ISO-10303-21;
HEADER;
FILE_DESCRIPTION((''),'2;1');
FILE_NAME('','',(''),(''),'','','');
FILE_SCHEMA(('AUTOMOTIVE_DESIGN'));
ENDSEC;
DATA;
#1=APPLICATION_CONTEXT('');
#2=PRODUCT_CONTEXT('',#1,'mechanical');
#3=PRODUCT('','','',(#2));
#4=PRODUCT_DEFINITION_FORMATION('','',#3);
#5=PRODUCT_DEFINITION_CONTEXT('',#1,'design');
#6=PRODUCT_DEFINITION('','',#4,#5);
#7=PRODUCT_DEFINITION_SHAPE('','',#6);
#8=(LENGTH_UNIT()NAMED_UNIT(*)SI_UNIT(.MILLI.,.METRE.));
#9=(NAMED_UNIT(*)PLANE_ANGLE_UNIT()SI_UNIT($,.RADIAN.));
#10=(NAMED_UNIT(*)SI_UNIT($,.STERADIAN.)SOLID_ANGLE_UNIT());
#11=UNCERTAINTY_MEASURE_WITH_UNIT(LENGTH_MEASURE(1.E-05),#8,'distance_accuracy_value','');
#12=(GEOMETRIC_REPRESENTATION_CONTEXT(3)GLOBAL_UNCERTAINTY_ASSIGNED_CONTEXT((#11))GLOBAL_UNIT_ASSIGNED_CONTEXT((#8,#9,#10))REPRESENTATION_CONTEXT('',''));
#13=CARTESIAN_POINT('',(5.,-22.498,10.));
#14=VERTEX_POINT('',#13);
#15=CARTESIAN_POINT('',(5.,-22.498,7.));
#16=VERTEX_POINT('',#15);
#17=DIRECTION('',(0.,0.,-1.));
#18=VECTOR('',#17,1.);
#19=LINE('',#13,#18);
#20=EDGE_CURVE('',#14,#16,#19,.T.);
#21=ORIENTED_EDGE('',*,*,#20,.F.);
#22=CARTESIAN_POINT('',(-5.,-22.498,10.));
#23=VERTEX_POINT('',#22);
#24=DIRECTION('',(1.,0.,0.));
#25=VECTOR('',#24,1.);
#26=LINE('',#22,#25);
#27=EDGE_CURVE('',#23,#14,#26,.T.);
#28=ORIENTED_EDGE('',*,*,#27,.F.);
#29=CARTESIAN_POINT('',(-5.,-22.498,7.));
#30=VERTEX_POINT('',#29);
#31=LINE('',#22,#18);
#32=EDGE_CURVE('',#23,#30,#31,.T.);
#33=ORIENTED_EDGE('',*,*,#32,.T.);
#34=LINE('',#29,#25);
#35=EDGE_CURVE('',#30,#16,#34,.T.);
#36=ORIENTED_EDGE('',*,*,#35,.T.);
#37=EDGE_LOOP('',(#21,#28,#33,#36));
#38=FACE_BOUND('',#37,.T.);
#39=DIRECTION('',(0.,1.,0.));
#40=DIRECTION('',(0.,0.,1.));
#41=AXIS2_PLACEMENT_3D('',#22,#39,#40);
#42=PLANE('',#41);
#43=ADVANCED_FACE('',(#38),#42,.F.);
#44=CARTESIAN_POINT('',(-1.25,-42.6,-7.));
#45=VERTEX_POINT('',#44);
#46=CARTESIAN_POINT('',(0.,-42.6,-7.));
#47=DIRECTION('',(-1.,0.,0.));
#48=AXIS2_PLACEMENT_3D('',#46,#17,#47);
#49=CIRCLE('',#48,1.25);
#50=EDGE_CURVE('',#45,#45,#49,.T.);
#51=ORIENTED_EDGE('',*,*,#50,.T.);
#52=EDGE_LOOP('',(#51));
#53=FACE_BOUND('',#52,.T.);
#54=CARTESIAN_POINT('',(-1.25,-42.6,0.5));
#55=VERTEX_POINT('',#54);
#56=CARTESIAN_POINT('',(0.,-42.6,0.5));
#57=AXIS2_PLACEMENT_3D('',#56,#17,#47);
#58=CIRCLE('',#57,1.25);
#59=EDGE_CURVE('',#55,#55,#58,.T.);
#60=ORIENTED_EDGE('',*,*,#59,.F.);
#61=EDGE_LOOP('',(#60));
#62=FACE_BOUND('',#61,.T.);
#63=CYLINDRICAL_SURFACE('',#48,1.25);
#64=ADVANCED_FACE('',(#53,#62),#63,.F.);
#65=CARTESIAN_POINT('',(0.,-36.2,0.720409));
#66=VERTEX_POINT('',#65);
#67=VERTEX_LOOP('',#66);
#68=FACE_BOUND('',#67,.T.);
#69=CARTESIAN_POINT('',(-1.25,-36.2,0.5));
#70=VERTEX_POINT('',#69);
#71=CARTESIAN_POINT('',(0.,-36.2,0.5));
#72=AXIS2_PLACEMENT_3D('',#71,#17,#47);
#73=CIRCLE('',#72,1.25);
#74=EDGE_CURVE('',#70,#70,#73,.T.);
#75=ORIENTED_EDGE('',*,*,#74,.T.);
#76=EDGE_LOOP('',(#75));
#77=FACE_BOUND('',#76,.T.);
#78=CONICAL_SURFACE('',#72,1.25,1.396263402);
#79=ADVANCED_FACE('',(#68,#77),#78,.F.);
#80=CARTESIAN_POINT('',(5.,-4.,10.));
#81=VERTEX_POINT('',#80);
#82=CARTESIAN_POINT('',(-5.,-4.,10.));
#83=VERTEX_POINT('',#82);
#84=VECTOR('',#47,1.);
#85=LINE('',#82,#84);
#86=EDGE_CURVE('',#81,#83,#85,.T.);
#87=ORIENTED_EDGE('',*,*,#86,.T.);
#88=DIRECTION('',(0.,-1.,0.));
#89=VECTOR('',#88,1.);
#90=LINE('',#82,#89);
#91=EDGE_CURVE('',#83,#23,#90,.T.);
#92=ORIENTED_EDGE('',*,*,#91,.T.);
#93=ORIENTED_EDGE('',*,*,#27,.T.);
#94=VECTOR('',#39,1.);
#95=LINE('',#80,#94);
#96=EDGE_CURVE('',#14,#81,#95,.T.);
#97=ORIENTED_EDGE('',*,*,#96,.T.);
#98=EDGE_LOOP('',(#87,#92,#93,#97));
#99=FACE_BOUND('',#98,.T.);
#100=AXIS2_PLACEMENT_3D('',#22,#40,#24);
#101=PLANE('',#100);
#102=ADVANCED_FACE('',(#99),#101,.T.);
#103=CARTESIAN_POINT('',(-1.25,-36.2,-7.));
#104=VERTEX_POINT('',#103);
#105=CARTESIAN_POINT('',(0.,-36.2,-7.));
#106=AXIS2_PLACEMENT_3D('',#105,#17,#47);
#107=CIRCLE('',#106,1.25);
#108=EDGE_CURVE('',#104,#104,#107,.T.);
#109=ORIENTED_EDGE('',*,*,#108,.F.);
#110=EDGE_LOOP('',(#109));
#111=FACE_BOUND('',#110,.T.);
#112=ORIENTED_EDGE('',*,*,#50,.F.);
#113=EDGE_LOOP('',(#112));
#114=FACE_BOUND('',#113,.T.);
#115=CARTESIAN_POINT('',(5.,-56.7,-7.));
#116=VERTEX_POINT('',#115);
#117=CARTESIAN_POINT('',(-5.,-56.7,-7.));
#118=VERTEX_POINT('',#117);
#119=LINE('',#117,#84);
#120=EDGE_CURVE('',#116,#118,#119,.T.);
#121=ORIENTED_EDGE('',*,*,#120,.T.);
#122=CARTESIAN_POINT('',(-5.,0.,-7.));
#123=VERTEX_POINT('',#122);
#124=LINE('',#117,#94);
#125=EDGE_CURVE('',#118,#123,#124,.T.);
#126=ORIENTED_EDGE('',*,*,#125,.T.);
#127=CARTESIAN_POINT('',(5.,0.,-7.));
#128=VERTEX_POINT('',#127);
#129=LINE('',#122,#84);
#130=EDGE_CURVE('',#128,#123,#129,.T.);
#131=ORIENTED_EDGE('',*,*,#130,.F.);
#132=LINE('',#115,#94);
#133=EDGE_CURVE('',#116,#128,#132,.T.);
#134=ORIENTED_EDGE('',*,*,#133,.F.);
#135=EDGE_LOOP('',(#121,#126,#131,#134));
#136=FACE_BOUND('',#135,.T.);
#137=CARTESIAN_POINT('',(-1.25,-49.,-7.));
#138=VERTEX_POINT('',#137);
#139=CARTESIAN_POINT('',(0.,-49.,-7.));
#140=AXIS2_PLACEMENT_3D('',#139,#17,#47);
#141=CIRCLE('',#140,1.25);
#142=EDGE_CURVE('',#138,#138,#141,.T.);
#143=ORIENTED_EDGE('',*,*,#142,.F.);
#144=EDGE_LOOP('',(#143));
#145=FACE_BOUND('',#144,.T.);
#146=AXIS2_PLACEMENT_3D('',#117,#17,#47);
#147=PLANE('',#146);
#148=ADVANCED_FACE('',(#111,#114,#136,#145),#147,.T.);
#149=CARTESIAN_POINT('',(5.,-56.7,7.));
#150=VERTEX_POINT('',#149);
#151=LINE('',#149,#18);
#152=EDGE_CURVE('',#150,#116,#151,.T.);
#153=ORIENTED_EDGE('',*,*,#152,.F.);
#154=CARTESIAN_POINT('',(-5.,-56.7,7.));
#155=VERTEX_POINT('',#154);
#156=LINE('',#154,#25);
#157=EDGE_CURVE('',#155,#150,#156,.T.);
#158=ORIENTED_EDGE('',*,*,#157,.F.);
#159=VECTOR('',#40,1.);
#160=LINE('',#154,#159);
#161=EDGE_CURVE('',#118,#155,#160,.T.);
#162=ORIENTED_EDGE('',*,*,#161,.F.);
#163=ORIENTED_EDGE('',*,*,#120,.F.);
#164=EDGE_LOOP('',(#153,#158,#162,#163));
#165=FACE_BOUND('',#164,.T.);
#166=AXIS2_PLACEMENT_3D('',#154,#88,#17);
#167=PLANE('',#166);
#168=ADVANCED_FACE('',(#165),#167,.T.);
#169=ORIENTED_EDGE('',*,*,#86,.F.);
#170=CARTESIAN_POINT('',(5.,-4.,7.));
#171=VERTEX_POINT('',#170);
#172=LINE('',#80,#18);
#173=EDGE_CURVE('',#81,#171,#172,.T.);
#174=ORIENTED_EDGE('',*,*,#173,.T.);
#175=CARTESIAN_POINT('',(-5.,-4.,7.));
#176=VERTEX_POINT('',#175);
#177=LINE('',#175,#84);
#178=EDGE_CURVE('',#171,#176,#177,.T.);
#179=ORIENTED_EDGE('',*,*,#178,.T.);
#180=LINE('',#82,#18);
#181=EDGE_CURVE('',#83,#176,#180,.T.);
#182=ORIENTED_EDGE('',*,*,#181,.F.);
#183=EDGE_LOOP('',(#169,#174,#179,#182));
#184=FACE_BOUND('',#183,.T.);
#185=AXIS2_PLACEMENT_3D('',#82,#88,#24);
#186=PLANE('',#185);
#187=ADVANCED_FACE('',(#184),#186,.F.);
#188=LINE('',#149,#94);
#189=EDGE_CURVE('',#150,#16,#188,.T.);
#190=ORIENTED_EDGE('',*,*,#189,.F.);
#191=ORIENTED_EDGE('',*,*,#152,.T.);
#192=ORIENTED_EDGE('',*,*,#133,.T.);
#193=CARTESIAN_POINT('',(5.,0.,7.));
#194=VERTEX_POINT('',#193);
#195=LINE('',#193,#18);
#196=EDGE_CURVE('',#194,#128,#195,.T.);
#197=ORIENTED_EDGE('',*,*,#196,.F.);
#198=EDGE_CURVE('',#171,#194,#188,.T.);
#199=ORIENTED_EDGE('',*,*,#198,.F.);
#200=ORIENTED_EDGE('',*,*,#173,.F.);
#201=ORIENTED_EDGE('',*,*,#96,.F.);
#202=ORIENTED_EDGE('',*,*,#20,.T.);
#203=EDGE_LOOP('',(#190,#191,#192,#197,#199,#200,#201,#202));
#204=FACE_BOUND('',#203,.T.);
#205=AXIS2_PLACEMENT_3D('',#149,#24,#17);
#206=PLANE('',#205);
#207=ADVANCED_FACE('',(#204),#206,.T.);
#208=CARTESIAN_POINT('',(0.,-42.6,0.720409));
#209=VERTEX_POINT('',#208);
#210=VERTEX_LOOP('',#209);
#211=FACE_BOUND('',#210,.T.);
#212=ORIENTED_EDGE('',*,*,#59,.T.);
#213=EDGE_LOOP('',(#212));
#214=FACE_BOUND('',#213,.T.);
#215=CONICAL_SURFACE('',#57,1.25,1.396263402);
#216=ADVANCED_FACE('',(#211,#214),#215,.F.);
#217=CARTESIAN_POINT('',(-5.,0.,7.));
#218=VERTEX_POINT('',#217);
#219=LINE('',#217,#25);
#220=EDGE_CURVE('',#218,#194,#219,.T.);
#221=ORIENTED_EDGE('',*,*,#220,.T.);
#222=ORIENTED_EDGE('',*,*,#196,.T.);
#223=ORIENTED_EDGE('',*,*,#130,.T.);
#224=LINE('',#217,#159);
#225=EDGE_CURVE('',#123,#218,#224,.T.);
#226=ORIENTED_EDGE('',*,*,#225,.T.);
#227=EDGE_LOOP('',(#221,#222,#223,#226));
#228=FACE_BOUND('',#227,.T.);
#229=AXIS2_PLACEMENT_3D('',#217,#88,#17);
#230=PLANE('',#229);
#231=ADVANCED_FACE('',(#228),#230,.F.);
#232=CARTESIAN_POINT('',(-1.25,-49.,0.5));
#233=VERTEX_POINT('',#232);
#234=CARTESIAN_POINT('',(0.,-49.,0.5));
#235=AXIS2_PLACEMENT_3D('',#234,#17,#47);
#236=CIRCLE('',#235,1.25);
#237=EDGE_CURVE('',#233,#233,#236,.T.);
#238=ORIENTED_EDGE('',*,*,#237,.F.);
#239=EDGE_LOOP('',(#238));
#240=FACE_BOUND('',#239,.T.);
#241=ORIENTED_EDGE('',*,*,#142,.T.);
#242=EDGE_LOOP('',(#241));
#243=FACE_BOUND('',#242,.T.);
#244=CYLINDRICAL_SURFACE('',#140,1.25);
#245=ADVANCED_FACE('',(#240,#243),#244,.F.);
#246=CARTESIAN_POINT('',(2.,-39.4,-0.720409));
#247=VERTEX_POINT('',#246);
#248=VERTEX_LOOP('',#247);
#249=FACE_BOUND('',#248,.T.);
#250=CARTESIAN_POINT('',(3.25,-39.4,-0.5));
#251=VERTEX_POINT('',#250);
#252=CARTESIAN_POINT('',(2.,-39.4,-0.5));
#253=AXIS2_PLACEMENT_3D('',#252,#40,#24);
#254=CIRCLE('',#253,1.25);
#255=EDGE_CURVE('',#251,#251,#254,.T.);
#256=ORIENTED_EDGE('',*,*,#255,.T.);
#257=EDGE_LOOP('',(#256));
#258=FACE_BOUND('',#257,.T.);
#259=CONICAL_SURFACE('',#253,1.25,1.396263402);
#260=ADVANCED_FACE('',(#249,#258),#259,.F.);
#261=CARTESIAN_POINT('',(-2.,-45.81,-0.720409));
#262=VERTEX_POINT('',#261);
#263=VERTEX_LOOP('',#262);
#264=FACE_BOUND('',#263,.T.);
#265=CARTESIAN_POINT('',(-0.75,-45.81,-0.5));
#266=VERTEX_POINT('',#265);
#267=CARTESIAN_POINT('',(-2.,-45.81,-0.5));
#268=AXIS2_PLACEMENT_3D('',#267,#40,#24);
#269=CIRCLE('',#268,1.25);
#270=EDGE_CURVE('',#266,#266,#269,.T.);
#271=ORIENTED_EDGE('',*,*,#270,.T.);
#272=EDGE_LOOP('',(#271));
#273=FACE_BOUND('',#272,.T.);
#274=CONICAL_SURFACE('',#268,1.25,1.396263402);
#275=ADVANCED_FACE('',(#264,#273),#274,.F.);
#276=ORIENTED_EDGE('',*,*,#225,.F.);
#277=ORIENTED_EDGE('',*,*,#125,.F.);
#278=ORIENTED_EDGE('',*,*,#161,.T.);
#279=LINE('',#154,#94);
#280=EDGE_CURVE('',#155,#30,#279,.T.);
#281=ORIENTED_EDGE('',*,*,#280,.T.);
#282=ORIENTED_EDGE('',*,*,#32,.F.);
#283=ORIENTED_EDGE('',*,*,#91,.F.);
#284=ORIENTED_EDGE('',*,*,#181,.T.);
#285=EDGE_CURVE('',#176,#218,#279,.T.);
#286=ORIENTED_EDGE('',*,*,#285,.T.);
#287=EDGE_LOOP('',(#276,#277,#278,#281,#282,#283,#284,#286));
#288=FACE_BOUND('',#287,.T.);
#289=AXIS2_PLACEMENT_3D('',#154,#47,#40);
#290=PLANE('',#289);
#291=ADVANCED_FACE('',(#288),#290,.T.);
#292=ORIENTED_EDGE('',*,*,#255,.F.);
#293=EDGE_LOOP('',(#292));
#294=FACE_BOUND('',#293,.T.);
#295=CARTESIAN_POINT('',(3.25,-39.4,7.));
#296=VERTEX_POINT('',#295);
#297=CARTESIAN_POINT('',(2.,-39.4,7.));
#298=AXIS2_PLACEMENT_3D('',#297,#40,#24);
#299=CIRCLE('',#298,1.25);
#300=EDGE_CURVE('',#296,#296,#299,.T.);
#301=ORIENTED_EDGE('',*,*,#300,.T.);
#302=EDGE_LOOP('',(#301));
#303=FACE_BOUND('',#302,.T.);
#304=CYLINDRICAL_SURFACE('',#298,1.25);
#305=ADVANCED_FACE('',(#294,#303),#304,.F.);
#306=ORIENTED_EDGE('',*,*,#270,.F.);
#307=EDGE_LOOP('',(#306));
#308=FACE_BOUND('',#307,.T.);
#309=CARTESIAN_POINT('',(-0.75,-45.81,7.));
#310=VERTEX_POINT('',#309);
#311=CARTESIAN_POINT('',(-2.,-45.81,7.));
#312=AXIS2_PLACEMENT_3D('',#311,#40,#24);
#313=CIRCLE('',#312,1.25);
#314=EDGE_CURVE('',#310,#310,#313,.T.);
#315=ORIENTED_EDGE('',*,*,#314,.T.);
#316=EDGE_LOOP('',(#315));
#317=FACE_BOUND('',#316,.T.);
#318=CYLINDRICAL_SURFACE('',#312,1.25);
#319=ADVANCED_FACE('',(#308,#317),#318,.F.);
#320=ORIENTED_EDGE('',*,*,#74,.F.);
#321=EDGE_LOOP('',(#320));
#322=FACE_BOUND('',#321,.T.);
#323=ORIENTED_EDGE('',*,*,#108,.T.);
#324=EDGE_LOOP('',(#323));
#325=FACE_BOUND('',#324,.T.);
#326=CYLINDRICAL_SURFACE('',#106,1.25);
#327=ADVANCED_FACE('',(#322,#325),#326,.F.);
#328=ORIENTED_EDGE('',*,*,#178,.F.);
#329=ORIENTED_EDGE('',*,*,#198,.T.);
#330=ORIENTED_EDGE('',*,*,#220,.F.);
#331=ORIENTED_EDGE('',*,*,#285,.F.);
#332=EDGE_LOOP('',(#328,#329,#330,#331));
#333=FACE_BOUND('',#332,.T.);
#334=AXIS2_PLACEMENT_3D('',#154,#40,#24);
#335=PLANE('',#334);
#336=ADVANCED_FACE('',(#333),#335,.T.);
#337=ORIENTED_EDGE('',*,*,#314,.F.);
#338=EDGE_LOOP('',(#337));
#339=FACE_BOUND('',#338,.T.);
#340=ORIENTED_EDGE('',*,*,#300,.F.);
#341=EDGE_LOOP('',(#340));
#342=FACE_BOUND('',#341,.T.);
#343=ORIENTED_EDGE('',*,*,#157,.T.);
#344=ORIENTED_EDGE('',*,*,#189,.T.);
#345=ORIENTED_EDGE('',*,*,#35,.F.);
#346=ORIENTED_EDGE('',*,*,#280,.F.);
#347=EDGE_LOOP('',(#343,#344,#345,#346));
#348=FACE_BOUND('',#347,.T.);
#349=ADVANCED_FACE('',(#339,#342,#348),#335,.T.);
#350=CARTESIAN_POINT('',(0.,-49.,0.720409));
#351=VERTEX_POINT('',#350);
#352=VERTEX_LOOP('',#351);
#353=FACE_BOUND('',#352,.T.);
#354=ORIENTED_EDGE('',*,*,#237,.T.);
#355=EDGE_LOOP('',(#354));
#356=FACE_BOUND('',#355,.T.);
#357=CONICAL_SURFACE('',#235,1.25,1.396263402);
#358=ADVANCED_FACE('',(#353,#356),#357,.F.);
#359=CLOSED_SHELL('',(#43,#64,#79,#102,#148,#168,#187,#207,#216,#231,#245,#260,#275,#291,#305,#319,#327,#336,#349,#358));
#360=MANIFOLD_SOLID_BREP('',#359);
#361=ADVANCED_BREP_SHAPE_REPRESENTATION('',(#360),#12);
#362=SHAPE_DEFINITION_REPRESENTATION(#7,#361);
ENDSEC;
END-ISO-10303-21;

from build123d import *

# Parameters (mm, degrees)
SKETCH1_W                 = 10
SKETCH1_H                 = 14
EXTRUDE1_DEPTH            = 56.7
SKETCH2_W                 = 10
SKETCH2_H                 = 18.498
EXTRUDE2_DEPTH            = 3
M3X0_5_TAPPED_HOLE1_D     = 2.5
M3X0_5_TAPPED_HOLE1_DEPTH = 7.5
M3X0_5_TAPPED_HOLE1_TIP   = 0.220408726
M3X0_5_TAPPED_HOLE2_D     = 2.5
M3X0_5_TAPPED_HOLE2_DEPTH = 7.5
M3X0_5_TAPPED_HOLE2_TIP   = 0.220408726


with BuildPart() as part:
    # Sketch1 → Extrude1 (new body)
    with BuildSketch(Plane(origin=(0, 0, 0), x_dir=(1, 0, 0), z_dir=(0, 1, 0))):
        Rectangle(SKETCH1_W, SKETCH1_H)
    extrude(amount=-EXTRUDE1_DEPTH)

    # Sketch2 → Extrude2 (add)
    with BuildSketch(Plane.XY.offset(7)):
        with Locations((0, -13.249)):
            Rectangle(SKETCH2_W, SKETCH2_H)
    extrude(amount=EXTRUDE2_DEPTH)

    # M3x0.5 Tapped Hole1
    with Locations(Plane(origin=(0, -36.2, -7), x_dir=(-1, 0, 0), z_dir=(0, 0, -1))):
        with Locations((0, 0), (0, -6.4), (0, -12.8)):
            Hole(M3X0_5_TAPPED_HOLE1_D / 2, depth=M3X0_5_TAPPED_HOLE1_DEPTH)
            with Locations((0, 0, -(M3X0_5_TAPPED_HOLE1_DEPTH + M3X0_5_TAPPED_HOLE1_TIP / 2))):  # 160° drill point
                Cone(0, M3X0_5_TAPPED_HOLE1_D / 2, M3X0_5_TAPPED_HOLE1_TIP, mode=Mode.SUBTRACT)

    # M3x0.5 Tapped Hole2
    with Locations(Plane.XY.offset(7)):
        with Locations((2, -39.4), (-2, -45.81)):
            Hole(M3X0_5_TAPPED_HOLE2_D / 2, depth=M3X0_5_TAPPED_HOLE2_DEPTH)
            with Locations((0, 0, -(M3X0_5_TAPPED_HOLE2_DEPTH + M3X0_5_TAPPED_HOLE2_TIP / 2))):  # 160° drill point
                Cone(0, M3X0_5_TAPPED_HOLE2_D / 2, M3X0_5_TAPPED_HOLE2_TIP, mode=Mode.SUBTRACT)


solid = part.part
